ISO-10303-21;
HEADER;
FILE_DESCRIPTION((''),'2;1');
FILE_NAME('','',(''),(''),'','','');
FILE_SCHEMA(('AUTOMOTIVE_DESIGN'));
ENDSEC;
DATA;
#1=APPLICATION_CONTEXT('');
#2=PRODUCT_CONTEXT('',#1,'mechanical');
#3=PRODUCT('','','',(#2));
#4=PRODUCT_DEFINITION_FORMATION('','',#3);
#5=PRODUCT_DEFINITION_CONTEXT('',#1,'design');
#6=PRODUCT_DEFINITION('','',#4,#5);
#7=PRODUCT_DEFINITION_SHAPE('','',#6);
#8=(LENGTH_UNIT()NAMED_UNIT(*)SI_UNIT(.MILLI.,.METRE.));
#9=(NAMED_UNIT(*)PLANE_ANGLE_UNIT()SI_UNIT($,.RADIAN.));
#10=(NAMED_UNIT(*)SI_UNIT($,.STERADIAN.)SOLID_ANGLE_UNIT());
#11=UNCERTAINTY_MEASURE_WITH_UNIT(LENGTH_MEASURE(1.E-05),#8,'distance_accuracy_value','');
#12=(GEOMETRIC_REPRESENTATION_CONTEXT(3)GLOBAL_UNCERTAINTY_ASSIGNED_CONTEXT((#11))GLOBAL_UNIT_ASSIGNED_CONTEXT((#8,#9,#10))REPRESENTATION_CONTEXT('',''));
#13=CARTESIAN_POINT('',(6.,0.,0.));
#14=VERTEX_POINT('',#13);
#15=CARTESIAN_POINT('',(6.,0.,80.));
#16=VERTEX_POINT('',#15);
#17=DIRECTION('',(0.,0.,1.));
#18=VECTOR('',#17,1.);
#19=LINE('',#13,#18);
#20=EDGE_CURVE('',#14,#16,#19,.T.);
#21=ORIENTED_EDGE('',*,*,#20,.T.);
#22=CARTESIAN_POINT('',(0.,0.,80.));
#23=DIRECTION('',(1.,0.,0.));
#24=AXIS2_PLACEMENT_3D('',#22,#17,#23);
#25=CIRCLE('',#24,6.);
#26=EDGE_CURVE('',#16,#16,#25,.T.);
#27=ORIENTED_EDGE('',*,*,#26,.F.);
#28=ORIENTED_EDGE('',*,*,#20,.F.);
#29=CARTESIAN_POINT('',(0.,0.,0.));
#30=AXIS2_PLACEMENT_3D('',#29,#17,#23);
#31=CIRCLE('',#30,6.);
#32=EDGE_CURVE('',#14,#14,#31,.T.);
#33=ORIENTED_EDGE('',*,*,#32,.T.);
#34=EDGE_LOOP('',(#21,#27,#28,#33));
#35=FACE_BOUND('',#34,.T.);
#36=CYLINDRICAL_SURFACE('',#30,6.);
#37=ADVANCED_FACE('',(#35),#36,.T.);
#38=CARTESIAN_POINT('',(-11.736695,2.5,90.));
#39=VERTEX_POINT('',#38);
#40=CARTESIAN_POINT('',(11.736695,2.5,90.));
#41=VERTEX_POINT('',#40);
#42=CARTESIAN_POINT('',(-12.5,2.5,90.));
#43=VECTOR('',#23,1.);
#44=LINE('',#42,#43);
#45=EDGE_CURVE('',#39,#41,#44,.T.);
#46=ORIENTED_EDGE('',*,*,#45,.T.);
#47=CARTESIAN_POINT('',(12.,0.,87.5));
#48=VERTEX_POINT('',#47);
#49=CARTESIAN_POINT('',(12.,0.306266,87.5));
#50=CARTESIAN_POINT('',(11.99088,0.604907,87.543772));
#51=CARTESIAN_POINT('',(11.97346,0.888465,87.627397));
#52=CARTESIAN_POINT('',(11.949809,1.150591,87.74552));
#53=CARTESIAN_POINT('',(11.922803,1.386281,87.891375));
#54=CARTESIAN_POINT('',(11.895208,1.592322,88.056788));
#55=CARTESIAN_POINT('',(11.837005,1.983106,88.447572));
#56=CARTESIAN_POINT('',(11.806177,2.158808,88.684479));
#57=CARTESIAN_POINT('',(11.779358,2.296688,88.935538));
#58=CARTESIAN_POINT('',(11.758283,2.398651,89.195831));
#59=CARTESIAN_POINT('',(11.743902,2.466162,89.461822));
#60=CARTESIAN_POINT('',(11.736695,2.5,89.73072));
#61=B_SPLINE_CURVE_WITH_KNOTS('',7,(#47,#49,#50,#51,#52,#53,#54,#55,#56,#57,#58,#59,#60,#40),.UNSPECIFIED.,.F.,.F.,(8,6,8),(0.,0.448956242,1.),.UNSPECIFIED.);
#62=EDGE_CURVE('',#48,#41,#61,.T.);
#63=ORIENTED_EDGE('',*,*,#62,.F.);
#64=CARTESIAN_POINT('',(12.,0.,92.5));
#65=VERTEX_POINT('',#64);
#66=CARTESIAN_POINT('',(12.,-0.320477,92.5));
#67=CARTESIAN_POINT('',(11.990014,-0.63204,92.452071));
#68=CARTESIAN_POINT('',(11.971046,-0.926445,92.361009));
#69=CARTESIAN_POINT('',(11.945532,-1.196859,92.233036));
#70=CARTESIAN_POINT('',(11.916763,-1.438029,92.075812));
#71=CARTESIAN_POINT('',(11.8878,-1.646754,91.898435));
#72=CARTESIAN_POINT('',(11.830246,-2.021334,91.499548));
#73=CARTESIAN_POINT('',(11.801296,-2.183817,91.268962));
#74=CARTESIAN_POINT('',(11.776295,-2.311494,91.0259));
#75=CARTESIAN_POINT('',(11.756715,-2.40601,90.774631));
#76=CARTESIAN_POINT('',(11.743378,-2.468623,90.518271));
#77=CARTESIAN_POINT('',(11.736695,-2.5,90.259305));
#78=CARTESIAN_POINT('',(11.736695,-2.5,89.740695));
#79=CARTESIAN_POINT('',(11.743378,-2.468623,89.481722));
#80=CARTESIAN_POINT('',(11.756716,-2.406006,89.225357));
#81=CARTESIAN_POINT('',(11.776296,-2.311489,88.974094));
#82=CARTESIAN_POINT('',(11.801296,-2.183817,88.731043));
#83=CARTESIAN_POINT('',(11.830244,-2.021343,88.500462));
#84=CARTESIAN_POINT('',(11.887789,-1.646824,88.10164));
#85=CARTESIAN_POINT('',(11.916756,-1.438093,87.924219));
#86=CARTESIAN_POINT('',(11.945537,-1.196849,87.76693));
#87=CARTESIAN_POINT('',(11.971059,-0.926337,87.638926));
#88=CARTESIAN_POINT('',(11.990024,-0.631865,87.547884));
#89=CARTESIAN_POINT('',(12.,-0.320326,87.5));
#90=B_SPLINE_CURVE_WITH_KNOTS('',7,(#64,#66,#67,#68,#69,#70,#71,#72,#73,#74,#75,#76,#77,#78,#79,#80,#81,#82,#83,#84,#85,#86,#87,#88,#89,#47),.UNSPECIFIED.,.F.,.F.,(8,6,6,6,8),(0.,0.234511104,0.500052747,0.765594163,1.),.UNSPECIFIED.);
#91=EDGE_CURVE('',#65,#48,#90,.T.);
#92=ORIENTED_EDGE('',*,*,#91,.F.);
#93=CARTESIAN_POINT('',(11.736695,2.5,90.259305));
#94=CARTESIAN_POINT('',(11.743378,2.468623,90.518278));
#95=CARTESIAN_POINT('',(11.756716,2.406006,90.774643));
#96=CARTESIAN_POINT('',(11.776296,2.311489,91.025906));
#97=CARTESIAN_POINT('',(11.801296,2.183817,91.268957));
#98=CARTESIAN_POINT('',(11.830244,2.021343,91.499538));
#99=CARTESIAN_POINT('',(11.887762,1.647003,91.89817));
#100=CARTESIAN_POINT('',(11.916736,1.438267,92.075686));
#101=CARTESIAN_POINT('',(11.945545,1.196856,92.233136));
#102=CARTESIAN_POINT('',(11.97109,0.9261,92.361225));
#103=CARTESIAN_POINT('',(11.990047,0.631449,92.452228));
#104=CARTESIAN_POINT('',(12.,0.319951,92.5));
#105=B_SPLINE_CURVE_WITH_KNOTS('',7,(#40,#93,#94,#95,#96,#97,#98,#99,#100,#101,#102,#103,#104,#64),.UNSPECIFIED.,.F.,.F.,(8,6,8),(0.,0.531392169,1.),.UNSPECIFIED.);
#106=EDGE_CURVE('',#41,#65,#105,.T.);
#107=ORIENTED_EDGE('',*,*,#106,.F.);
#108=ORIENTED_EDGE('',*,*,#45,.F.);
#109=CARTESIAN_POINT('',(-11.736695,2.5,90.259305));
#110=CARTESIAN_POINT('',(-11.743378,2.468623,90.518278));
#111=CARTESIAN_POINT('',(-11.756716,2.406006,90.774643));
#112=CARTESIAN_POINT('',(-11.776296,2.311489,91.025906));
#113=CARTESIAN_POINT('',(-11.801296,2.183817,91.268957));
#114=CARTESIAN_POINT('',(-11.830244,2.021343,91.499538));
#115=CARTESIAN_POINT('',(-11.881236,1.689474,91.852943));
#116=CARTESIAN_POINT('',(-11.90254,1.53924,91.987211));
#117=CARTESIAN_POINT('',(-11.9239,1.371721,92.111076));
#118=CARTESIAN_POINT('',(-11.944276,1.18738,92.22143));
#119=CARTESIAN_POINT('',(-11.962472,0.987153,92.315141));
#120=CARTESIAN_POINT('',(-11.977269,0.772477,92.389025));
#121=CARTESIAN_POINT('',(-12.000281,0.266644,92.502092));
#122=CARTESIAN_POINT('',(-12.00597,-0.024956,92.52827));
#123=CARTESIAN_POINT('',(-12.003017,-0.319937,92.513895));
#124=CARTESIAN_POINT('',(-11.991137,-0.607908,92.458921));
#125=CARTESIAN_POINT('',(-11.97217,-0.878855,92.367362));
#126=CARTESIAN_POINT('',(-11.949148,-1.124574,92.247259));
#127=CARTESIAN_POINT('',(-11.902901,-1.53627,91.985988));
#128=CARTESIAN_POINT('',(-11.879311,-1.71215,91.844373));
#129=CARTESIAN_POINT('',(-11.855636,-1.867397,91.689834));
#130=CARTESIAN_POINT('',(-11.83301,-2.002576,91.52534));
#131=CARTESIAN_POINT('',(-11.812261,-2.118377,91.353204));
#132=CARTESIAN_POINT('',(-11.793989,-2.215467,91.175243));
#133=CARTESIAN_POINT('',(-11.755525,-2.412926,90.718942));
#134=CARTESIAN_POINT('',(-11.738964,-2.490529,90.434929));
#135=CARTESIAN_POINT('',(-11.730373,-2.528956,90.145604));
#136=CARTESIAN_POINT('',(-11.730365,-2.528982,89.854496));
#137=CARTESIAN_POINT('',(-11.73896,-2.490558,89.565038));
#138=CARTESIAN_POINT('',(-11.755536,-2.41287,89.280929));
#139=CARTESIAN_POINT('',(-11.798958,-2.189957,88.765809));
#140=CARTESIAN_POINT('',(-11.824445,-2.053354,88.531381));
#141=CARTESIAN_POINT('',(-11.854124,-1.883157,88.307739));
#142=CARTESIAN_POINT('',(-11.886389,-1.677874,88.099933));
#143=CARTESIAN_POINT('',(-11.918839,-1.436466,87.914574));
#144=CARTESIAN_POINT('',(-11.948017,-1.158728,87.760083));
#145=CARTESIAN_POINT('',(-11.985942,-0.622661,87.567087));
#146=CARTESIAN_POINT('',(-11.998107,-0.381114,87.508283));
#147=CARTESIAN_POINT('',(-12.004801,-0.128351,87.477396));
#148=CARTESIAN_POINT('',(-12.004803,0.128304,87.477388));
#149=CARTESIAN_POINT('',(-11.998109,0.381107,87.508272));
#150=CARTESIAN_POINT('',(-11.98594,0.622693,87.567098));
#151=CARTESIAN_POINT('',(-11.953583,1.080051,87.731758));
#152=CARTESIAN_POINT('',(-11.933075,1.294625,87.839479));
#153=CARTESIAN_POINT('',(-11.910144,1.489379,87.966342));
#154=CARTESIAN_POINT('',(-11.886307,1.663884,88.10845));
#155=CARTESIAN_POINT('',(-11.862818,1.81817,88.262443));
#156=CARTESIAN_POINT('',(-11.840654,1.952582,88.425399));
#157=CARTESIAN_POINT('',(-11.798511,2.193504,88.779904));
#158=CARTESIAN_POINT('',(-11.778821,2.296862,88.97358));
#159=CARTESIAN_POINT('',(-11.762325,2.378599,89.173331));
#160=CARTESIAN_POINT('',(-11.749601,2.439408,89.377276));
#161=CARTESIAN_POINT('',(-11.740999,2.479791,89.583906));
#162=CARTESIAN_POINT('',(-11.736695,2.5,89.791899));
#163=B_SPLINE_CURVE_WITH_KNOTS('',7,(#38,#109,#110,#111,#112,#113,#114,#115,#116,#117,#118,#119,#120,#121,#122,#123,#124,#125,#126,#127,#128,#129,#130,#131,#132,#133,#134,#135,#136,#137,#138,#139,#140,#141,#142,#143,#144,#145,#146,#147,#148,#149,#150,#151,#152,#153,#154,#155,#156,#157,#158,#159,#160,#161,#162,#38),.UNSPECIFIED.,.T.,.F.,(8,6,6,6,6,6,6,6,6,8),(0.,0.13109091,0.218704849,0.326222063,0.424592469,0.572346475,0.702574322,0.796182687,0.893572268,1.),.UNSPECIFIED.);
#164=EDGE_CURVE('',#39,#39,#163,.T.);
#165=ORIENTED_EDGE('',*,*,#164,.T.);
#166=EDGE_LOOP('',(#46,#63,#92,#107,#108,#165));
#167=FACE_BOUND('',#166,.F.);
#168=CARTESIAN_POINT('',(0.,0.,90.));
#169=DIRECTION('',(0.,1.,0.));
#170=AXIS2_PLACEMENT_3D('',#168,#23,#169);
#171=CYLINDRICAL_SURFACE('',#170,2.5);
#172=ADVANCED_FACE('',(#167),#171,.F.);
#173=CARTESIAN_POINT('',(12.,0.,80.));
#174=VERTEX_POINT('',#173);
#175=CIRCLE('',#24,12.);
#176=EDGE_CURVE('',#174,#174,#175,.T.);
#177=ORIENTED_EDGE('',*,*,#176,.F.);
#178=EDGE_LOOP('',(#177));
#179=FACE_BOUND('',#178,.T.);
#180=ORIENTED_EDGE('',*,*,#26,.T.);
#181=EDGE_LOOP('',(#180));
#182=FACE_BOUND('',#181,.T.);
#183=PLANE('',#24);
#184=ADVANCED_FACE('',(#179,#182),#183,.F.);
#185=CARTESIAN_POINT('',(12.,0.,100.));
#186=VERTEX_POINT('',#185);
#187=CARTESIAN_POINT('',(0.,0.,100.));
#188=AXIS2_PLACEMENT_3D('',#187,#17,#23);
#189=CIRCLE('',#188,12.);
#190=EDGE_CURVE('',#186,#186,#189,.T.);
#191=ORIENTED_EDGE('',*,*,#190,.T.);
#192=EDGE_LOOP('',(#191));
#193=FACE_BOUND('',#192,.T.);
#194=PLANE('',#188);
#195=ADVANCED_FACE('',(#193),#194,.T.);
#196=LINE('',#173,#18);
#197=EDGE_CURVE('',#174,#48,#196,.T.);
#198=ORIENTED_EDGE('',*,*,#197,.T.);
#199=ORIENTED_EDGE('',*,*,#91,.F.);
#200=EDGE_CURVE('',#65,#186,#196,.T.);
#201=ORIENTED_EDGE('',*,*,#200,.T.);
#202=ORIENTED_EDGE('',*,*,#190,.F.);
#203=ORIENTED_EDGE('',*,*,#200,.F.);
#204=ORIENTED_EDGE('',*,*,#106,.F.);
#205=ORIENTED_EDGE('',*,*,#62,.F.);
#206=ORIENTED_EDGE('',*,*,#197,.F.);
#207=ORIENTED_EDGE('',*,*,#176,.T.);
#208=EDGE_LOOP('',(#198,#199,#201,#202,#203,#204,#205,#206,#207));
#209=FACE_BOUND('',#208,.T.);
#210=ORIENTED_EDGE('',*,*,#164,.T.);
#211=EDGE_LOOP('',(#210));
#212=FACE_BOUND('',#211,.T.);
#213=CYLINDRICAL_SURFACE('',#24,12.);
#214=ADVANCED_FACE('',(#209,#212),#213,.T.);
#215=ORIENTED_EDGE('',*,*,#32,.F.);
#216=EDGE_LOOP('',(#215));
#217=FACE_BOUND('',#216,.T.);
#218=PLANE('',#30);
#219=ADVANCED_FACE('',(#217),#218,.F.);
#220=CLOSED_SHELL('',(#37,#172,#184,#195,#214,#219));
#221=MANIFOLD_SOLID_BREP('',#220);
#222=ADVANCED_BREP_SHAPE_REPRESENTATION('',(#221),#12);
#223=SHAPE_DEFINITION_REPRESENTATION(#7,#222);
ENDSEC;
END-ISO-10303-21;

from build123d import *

# Parameters (mm, degrees)
F2_R     = 2.5
F3_DEPTH = 12.5


with BuildPart() as f1:
    # F0 (on Front) → F1 (revolve)
    with BuildSketch(Plane.XZ):
        Polygon((0, 100), (0, 0), (6, 0), (6, 80), (12, 80), (12, 100), align=None)
    revolve(axis=Axis((0, 0, 50), (0, 0, 1)))

    # F2 (on Right) → F3 (cut, symmetric)
    with BuildSketch(Plane.YZ):
        with Locations((0, 90)):
            Circle(F2_R)
    extrude(amount=F3_DEPTH, both=True, mode=Mode.SUBTRACT)


solid = f1.part
